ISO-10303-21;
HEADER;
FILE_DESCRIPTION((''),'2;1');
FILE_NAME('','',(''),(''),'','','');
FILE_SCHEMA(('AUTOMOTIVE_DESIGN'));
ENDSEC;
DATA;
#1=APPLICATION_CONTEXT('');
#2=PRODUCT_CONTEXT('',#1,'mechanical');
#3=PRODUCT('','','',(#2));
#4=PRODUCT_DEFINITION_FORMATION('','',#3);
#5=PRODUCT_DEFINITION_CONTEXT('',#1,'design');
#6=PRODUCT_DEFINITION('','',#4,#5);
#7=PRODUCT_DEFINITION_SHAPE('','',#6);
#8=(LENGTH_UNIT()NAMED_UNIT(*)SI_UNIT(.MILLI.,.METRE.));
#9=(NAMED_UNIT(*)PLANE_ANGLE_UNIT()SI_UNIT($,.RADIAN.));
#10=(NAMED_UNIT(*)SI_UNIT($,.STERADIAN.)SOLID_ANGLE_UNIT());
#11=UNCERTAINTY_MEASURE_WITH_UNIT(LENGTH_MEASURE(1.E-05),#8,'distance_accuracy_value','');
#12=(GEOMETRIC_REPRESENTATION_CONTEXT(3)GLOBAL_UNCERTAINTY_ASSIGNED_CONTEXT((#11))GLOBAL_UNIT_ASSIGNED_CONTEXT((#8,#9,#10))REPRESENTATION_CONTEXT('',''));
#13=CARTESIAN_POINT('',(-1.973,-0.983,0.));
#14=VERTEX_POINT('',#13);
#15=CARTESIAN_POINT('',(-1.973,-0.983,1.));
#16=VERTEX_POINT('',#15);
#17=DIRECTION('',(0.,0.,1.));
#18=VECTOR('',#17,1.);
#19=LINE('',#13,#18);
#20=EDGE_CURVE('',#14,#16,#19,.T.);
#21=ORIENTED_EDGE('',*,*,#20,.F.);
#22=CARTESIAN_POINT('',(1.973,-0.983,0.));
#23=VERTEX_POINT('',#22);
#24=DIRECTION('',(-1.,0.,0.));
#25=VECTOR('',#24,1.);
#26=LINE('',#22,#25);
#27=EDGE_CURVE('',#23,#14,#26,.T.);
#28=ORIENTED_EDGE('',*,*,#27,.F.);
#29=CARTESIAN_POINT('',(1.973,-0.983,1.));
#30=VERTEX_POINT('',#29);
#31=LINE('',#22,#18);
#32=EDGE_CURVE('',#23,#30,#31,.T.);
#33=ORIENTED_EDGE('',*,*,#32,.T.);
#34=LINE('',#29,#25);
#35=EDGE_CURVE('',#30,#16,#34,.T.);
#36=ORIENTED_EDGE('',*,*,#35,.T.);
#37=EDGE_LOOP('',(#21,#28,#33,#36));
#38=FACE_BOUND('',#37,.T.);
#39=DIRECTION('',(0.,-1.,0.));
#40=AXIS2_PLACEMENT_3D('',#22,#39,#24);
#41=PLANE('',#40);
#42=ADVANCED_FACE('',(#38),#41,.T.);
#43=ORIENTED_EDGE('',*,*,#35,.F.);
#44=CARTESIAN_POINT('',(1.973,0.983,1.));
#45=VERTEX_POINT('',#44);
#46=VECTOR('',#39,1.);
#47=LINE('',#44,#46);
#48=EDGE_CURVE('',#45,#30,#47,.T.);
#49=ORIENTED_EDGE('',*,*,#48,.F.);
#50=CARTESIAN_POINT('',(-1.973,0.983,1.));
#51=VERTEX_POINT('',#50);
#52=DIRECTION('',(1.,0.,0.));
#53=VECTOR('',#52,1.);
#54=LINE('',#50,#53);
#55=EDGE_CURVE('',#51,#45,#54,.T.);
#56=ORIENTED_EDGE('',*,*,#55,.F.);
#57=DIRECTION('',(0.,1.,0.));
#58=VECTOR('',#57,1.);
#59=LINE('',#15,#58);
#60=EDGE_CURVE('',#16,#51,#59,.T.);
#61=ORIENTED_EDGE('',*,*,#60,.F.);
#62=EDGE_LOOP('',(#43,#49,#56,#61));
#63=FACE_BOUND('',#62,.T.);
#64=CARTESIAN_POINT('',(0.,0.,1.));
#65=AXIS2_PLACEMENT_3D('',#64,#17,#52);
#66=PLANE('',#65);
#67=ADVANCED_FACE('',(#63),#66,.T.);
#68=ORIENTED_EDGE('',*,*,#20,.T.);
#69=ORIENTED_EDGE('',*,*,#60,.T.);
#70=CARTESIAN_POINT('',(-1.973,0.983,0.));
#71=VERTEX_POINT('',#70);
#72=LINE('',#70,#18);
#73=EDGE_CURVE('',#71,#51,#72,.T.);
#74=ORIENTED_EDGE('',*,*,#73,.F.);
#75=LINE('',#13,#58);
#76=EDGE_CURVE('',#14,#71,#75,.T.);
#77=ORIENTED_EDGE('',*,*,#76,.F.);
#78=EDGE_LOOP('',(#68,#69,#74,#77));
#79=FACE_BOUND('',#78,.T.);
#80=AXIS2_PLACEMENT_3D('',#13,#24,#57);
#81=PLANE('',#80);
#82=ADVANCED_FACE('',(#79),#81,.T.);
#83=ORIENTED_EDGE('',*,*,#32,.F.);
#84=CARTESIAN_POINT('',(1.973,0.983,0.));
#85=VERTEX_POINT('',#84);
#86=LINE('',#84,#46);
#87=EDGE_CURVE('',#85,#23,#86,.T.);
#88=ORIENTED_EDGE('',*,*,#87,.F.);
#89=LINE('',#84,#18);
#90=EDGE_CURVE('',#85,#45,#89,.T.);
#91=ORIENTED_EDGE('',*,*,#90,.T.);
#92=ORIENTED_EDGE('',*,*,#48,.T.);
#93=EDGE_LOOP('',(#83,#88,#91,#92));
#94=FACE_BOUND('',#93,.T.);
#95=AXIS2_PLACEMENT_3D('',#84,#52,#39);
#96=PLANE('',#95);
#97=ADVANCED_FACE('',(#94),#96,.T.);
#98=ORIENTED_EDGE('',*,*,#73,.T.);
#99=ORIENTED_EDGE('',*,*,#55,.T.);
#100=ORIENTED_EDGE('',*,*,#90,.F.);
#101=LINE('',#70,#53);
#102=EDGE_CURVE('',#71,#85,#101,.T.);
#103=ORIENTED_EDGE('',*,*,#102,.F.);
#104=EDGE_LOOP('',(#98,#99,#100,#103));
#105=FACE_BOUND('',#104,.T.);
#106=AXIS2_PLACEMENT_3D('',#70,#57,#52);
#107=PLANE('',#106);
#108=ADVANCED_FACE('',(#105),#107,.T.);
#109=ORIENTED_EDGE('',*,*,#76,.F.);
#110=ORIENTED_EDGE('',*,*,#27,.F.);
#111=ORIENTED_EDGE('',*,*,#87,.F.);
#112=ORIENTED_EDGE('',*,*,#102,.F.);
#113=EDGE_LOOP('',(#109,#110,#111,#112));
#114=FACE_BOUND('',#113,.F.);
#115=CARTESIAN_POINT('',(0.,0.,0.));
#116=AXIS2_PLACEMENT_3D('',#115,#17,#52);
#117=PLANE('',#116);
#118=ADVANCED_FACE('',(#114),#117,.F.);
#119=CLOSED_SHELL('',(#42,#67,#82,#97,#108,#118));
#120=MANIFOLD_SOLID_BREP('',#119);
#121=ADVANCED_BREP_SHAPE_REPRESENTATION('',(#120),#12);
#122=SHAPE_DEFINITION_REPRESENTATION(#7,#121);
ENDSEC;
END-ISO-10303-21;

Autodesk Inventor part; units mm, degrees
ref_plane "YZ Plane" through (0, 0, 0) normal (1, 0, 0) x (0, 1, 0)
ref_plane "XZ Plane" through (0, 0, 0) normal (0, 1, 0) x (-1, 0, 0)
ref_plane "XY Plane" through (0, 0, 0) normal (0, 0, 1) x (1, 0, 0)
sketch "R0805, R0805_23" plane through (0, 0, 0) normal (0, 0, 1) x (1, 0, 0)
  line L0 (-1.973, 0.983) -> (1.973, 0.983)
  line L1 (1.973, 0.983) -> (1.973, -0.983)
  line L2 (1.973, -0.983) -> (-1.973, -0.983)
  line L3 (-1.973, -0.983) -> (-1.973, 0.983)
extrude "Выдавливание1" add sketch "R0805, R0805_23" along normal blind 1
properties part number "R0805"
